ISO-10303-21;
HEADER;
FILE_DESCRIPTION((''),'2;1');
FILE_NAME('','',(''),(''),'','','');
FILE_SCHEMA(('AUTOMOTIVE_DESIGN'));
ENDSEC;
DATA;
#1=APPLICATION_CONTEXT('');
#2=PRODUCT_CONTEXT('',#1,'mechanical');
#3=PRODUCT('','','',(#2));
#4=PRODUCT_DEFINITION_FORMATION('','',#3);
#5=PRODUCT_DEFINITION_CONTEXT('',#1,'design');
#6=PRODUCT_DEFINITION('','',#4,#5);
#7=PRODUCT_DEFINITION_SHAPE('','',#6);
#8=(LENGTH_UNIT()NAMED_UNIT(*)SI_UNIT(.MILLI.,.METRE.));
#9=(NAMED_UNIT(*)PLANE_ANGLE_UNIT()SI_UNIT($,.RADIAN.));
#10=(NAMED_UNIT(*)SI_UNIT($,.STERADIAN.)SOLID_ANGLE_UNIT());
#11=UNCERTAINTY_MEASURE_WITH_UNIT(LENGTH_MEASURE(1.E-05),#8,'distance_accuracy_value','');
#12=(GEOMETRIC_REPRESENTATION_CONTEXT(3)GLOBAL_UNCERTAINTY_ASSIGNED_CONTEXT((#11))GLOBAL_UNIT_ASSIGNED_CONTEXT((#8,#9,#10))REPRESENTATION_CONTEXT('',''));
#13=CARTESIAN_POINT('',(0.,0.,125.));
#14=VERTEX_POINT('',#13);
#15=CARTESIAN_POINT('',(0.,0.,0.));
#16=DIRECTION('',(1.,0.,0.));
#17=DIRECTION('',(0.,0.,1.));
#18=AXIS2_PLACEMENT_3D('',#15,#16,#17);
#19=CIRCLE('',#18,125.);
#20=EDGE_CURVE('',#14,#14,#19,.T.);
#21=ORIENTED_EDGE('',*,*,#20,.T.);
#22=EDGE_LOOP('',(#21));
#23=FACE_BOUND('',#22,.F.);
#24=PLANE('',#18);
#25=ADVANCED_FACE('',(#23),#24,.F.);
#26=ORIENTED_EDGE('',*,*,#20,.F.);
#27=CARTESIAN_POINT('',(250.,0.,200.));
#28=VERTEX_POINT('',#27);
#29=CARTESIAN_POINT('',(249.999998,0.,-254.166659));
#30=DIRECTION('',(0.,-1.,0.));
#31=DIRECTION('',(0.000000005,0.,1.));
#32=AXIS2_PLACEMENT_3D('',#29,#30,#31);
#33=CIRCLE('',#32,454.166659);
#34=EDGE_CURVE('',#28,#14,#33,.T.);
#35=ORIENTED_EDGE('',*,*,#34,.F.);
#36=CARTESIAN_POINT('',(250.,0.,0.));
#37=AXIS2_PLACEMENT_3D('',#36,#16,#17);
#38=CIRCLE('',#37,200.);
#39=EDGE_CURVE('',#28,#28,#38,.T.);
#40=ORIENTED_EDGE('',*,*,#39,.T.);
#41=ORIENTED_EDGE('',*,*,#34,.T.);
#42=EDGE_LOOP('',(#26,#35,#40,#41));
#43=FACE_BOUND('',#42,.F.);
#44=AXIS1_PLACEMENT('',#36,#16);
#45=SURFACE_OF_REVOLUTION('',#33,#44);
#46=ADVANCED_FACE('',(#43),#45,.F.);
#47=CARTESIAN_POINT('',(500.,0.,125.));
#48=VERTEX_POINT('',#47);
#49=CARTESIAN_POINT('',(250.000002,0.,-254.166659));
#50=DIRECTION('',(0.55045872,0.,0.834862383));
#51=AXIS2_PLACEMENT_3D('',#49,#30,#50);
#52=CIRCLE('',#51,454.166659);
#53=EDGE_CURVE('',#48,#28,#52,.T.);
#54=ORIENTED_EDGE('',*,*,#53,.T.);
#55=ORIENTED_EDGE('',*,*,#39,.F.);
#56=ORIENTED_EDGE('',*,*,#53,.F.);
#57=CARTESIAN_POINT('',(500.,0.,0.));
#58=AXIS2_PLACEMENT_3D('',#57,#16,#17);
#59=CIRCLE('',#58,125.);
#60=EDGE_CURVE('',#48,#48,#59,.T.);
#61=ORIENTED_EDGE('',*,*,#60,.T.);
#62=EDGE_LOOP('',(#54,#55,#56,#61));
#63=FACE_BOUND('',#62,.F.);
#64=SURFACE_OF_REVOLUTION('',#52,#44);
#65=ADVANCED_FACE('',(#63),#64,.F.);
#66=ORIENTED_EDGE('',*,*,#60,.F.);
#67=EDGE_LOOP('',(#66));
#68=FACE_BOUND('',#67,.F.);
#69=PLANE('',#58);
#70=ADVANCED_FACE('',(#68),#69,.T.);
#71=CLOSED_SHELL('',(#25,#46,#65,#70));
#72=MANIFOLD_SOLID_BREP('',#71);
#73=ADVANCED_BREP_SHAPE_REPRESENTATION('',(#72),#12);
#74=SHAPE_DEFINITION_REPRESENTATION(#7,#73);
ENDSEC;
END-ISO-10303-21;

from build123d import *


with BuildPart() as f1:
    # F0 (on Front) → F1 (revolve)
    with BuildSketch(Plane.XZ):
        with BuildLine():
            ThreePointArc((250, 200), (119.496169, 180.846105), (0, 125))
            Line((0, 125), (0, 0))
            Line((0, 0), (500, 0))
            Line((500, 0), (500, 125))
            ThreePointArc((500, 125), (380.503831, 180.846105), (250, 200))
        make_face()
    revolve(axis=Axis((250, 0, 0), (1, 0, 0)))


solid = f1.part
